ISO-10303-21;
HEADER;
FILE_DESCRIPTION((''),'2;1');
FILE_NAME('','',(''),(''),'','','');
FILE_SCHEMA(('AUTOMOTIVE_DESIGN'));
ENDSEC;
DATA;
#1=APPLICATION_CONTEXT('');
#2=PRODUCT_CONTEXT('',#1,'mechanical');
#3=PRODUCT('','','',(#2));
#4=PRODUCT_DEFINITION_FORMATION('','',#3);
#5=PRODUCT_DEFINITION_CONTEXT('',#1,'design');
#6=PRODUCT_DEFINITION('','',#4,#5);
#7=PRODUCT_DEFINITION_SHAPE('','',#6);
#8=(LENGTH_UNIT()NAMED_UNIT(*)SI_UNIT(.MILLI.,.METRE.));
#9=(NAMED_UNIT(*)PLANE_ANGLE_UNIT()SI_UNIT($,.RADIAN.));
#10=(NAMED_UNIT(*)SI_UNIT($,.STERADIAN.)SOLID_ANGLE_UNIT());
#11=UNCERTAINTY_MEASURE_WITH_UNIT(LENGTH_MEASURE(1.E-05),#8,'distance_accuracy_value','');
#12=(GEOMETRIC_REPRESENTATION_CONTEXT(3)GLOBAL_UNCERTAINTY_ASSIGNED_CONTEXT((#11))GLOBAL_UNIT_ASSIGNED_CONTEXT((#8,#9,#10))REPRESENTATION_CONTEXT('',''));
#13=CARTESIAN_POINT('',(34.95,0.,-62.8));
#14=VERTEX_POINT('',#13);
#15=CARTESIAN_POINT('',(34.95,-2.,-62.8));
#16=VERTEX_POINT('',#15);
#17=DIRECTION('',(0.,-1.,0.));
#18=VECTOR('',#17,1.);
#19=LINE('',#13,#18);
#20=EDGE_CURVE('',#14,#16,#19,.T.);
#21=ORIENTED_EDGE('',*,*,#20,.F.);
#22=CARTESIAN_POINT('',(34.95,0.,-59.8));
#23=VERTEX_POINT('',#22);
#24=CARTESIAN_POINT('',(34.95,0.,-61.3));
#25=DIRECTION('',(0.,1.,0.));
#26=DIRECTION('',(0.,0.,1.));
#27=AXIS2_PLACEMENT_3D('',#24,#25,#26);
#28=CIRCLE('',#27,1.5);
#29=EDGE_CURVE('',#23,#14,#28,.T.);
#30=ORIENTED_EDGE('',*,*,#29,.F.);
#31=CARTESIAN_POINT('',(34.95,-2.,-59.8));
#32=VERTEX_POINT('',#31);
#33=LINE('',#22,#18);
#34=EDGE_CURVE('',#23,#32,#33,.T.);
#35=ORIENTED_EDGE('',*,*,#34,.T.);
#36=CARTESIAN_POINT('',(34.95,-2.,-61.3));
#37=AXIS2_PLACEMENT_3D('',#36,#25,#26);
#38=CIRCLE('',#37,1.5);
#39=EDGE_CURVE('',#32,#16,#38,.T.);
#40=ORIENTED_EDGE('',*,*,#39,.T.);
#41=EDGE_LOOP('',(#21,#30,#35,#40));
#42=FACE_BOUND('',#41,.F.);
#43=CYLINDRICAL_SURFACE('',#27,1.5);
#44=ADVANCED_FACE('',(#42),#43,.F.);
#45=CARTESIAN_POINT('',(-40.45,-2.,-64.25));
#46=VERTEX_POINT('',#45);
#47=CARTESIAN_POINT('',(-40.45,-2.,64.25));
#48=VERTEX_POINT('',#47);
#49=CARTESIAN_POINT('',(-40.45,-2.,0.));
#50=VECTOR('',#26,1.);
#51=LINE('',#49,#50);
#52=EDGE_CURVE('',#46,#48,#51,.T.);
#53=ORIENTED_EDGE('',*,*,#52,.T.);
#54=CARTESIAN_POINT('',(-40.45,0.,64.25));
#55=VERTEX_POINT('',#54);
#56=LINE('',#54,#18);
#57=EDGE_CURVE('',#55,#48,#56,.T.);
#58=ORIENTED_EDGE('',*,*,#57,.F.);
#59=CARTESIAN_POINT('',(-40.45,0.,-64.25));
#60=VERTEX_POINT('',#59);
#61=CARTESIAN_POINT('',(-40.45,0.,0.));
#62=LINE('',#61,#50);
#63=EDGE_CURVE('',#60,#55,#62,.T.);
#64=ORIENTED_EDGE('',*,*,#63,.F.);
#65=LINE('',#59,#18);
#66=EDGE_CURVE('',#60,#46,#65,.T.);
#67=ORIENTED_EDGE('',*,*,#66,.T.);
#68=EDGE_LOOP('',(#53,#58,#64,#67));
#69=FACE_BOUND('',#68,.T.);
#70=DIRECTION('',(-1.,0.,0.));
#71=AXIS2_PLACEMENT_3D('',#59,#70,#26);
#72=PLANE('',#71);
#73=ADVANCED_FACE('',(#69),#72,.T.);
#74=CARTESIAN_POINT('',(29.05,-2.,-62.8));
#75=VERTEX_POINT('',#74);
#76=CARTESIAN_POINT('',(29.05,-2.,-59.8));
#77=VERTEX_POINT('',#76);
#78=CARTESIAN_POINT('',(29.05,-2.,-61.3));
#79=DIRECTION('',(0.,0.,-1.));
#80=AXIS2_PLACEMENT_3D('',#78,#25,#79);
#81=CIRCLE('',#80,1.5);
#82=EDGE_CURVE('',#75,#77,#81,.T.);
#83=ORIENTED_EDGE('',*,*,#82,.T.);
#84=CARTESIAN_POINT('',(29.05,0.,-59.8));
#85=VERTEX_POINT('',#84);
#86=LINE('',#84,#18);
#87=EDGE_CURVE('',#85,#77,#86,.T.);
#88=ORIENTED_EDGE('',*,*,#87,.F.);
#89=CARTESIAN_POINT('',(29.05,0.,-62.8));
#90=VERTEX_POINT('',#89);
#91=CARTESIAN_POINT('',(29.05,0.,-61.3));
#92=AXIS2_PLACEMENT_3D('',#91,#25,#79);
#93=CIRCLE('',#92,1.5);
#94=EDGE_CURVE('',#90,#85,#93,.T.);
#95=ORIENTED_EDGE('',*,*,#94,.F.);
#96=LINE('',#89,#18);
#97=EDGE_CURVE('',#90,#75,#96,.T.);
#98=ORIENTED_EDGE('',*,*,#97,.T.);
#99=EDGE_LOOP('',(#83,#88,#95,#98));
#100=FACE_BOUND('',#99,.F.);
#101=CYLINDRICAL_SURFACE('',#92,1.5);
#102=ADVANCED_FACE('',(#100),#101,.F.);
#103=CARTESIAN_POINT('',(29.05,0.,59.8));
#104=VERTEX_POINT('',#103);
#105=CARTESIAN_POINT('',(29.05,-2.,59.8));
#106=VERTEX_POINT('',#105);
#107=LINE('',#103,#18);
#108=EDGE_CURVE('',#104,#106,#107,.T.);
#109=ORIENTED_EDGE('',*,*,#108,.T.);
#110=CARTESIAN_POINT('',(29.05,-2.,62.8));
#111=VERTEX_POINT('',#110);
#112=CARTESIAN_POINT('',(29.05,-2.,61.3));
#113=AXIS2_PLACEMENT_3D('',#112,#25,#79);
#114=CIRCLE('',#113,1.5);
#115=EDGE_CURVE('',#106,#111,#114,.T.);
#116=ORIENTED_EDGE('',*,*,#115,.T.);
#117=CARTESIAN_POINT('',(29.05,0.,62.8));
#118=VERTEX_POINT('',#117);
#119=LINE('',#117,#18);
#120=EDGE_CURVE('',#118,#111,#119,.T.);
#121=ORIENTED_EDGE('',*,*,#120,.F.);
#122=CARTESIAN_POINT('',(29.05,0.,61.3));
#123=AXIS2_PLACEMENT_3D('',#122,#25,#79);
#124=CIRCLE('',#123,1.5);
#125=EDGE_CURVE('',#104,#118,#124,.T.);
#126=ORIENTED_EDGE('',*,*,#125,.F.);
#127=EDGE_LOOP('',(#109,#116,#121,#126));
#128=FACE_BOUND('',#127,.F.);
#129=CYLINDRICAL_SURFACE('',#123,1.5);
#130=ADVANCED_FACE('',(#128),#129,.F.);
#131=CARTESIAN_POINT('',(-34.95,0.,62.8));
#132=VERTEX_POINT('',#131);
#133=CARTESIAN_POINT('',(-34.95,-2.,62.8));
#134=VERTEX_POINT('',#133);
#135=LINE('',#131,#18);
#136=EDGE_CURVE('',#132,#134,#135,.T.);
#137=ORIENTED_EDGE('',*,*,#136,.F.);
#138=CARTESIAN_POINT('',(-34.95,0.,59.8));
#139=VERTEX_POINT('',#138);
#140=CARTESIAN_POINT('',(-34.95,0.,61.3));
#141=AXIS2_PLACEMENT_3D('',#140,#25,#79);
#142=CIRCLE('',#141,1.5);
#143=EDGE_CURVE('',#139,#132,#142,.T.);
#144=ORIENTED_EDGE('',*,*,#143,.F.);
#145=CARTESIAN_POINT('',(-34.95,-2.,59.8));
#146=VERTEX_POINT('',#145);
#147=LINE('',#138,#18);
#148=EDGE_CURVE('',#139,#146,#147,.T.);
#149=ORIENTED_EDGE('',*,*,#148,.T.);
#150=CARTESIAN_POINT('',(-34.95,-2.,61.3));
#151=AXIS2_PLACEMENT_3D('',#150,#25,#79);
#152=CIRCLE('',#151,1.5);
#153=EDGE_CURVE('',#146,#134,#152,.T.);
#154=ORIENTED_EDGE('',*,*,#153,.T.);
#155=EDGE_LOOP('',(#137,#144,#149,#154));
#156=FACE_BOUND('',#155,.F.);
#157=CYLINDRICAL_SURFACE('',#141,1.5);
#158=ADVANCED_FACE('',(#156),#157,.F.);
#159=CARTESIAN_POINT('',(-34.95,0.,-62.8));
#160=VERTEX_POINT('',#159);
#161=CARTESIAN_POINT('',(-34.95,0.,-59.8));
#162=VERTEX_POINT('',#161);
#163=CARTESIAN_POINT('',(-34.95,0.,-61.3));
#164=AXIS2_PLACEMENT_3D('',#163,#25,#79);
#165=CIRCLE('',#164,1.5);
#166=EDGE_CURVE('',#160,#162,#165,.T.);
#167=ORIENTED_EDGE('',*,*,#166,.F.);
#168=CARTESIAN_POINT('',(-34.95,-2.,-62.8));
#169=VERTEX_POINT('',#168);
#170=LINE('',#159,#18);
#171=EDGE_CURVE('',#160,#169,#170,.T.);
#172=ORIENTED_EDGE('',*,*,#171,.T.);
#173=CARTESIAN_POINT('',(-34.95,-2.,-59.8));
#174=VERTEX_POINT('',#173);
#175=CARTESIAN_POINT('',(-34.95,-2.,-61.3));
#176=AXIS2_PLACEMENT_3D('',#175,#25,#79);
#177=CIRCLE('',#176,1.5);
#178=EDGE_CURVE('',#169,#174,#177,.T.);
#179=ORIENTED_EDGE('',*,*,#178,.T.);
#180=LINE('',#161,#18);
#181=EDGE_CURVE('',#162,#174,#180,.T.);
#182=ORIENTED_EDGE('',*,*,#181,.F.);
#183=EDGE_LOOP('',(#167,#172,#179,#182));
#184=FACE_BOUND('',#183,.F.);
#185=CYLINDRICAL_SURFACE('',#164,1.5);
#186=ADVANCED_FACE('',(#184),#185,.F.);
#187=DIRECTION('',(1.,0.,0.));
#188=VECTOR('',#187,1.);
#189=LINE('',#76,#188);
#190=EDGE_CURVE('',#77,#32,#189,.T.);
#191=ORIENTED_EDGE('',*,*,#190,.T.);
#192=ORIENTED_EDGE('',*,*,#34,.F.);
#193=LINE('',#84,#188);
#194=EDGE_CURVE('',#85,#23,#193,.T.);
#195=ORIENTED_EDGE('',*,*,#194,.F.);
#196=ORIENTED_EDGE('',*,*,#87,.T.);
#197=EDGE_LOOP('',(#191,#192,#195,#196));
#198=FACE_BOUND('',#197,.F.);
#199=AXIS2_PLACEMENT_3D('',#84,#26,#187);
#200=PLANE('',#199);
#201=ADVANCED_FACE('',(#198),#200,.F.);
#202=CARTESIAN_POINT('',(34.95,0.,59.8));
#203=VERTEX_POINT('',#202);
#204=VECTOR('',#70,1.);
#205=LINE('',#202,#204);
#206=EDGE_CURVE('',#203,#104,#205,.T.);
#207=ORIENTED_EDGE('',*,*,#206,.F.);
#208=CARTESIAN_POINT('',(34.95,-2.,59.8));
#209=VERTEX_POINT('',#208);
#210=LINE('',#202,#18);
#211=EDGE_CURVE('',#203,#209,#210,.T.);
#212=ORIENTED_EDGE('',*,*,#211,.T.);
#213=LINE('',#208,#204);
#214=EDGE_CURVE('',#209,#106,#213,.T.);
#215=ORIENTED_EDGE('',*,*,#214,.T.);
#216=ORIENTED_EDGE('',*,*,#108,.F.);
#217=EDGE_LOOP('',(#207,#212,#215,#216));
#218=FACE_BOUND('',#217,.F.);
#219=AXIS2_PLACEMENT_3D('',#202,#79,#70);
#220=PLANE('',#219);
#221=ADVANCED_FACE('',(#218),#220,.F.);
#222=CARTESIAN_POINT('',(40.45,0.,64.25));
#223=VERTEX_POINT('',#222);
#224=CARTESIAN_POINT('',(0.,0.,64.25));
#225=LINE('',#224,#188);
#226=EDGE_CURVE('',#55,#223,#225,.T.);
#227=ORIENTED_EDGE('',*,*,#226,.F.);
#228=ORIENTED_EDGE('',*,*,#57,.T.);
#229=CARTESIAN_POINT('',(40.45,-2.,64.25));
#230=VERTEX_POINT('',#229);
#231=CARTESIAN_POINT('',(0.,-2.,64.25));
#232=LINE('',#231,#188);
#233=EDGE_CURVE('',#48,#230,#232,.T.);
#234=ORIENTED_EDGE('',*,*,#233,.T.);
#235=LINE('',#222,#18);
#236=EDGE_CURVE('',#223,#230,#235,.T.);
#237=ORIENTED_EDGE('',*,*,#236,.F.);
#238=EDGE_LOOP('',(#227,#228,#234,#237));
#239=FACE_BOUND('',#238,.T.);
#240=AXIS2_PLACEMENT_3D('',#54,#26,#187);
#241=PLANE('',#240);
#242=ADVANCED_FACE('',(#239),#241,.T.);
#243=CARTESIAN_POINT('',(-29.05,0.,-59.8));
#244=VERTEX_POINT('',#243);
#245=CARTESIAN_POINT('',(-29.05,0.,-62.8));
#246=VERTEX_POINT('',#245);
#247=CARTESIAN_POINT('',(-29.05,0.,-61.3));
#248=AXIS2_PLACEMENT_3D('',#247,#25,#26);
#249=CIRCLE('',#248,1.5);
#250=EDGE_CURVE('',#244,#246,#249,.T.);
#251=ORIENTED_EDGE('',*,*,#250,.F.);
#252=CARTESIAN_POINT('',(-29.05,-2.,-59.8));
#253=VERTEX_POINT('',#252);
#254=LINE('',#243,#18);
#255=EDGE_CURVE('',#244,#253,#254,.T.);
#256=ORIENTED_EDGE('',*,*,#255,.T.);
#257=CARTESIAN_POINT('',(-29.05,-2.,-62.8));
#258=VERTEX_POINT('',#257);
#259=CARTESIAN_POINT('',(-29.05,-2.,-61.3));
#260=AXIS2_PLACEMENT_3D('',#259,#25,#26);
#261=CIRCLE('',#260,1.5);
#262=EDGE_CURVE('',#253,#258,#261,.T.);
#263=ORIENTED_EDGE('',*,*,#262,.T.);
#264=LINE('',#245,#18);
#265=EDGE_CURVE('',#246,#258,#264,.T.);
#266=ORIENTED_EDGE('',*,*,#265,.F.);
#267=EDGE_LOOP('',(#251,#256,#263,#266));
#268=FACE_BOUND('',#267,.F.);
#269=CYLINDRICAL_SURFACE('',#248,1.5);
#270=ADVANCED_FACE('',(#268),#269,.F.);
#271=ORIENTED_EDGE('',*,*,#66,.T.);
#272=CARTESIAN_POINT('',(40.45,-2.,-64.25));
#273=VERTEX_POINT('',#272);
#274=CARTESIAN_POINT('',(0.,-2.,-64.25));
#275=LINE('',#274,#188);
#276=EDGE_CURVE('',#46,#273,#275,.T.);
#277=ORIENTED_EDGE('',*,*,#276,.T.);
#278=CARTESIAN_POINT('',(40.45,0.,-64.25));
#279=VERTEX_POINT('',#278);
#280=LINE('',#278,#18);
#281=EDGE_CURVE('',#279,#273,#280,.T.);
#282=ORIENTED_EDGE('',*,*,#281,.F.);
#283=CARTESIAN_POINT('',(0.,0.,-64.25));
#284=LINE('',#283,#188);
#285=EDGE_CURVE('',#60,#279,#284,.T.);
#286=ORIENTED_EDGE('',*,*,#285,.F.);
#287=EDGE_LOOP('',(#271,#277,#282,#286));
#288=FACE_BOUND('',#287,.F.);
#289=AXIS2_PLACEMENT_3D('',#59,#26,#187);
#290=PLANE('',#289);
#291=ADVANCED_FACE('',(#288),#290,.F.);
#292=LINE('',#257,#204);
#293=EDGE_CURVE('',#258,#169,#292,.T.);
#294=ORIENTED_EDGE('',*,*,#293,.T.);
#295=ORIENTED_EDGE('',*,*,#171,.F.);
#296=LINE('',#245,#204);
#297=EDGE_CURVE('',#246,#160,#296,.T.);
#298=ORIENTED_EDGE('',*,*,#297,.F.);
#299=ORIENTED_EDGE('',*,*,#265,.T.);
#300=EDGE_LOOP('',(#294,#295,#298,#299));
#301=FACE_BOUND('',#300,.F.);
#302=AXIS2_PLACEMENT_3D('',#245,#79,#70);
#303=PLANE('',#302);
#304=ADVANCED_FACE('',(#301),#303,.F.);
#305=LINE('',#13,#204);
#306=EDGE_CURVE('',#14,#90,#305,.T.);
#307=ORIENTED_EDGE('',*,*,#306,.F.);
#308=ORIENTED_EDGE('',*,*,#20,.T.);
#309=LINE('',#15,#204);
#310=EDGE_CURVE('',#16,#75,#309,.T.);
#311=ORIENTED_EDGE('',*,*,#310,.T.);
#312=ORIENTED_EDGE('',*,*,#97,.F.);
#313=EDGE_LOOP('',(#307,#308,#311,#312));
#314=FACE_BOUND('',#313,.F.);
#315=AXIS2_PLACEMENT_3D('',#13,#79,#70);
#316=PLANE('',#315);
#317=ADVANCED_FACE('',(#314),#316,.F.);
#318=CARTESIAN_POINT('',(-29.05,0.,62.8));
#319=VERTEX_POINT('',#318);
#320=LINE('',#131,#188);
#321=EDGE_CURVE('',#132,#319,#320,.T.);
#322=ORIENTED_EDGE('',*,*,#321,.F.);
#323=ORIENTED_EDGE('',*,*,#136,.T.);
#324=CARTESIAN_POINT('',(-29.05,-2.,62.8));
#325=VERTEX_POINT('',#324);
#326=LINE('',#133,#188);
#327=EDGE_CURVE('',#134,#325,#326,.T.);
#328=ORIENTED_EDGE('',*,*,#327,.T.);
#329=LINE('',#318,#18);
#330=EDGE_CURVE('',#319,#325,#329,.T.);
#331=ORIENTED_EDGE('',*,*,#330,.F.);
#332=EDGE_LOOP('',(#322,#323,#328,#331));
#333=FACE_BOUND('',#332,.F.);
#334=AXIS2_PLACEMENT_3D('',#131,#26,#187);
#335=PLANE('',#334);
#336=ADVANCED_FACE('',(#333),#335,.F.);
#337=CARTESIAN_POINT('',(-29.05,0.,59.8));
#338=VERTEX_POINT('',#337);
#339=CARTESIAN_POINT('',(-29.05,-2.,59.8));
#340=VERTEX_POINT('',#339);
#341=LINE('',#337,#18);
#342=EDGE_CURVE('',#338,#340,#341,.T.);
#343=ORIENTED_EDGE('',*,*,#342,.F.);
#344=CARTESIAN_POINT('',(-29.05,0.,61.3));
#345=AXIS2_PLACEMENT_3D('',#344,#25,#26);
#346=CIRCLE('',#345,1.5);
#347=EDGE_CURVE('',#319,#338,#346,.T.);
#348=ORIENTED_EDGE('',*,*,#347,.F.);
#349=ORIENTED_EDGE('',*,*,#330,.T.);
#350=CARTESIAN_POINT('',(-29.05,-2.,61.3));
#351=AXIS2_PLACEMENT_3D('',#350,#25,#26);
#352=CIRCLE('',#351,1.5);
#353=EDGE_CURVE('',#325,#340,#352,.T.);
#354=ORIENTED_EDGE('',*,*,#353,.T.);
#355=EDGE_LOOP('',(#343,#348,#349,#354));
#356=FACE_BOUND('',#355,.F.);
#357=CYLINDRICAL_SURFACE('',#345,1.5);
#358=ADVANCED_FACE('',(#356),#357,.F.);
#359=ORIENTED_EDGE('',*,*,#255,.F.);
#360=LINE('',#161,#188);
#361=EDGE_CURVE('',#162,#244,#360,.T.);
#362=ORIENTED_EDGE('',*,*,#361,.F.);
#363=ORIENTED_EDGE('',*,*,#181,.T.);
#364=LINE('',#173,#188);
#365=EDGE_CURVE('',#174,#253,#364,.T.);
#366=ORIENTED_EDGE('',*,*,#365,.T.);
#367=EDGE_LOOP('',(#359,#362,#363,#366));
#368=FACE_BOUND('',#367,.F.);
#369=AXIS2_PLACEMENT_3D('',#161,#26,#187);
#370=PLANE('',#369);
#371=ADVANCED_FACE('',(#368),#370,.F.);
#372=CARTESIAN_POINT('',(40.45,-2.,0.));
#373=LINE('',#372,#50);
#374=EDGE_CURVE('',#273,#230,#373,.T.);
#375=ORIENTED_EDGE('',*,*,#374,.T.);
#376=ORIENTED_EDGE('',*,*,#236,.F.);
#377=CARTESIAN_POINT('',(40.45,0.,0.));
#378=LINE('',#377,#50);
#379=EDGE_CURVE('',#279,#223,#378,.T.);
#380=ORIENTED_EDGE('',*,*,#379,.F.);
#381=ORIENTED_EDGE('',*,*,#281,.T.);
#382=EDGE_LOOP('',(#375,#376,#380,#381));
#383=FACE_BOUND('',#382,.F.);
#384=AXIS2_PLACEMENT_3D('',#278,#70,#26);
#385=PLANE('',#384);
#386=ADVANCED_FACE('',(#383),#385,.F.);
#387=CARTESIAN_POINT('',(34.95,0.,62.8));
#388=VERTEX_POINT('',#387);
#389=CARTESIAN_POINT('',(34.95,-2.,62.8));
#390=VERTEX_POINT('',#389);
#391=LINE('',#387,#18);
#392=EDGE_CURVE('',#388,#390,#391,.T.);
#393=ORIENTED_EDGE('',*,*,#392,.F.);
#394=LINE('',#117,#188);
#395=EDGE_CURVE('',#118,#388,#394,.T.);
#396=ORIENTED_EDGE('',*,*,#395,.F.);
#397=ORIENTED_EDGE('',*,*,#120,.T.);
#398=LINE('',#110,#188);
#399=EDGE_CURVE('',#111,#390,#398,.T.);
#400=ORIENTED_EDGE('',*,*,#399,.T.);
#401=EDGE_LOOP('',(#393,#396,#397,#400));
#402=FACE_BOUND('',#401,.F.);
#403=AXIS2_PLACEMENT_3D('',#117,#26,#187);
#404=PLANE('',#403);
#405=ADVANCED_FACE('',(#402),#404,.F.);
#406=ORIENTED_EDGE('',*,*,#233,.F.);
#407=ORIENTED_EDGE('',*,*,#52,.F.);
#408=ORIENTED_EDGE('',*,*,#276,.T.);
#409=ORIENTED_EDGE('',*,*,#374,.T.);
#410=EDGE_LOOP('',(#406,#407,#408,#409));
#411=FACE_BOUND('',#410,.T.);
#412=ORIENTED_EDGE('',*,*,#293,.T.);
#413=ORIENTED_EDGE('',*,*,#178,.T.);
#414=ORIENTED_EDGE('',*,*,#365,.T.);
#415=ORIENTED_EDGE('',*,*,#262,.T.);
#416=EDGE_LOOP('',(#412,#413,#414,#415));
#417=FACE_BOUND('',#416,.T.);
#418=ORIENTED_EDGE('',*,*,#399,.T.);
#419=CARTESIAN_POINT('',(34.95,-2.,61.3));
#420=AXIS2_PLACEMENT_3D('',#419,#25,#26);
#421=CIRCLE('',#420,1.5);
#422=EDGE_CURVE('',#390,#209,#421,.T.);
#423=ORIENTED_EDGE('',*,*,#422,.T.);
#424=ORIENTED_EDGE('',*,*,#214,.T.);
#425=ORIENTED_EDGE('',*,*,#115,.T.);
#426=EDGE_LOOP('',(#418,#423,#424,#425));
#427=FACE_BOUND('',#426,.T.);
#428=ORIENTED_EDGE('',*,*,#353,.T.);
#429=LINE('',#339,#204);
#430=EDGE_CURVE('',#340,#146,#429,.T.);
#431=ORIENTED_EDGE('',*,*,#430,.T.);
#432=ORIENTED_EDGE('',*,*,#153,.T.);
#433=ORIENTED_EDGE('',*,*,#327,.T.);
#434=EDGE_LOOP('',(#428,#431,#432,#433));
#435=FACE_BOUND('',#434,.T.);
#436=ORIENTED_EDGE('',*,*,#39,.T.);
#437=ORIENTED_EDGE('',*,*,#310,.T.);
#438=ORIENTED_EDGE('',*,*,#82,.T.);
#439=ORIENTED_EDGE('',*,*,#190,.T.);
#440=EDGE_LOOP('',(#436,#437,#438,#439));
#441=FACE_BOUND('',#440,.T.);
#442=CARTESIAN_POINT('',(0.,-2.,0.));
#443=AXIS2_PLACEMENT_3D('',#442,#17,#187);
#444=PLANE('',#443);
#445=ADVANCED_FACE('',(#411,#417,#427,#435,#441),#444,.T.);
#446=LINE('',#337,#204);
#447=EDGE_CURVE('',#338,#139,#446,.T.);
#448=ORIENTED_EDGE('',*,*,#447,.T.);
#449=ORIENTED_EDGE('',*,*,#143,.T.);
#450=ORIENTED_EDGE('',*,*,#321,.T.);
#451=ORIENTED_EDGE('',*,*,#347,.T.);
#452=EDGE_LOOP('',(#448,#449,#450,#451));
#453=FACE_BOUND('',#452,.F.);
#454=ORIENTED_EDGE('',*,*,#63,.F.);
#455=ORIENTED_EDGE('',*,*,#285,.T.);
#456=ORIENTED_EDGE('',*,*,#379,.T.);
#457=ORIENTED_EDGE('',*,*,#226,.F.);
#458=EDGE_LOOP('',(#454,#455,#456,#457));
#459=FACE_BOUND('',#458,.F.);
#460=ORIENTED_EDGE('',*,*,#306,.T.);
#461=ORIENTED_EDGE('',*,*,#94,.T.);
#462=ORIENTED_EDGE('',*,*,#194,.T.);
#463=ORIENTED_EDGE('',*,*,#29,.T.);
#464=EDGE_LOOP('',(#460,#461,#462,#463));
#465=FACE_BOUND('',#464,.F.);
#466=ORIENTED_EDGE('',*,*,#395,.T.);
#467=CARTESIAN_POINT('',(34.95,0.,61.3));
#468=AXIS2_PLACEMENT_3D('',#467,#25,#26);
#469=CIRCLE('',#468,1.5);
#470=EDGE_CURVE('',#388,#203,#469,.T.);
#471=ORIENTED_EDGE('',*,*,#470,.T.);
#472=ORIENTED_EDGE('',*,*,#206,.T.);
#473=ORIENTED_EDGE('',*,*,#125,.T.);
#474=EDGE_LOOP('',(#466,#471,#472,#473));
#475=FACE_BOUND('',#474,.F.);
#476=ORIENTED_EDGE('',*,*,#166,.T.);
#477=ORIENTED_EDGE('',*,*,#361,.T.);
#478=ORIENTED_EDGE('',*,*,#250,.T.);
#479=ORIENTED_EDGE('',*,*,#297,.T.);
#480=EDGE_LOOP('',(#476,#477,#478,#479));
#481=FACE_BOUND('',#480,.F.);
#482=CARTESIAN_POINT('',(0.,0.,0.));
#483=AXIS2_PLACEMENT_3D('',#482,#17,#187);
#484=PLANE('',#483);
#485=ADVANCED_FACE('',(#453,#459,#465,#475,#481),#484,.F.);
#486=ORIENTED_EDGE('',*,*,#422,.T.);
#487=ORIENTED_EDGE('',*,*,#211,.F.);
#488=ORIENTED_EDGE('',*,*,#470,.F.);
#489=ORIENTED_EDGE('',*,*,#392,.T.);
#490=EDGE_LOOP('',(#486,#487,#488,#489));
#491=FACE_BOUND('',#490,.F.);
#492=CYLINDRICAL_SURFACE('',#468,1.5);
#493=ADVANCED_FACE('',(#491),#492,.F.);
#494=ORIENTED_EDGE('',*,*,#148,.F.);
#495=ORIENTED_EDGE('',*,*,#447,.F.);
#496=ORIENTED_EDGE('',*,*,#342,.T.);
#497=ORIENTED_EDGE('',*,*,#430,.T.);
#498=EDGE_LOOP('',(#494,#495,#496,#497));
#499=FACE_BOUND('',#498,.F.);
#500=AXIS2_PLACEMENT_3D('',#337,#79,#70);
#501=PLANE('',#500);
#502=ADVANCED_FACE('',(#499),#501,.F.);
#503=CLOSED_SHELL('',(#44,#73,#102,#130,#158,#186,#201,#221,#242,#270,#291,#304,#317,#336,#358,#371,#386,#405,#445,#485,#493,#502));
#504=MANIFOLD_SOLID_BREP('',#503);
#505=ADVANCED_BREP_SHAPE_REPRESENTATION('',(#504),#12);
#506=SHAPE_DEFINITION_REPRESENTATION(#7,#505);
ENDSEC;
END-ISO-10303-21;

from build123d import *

# Parameters (mm, degrees)
F0_W     = 80.9
F0_H     = 128.5
F1_DEPTH = 2


with BuildPart() as f1:
    # F0 (on Front) → F1 (new body)
    with BuildSketch(Plane.XZ):
        Rectangle(F0_W, F0_H)
        with BuildLine():
            ThreePointArc((-34.95, -62.8), (-36.45, -61.3), (-34.95, -59.8))
            Line((-34.95, -59.8), (-29.05, -59.8))
            ThreePointArc((-29.05, -59.8), (-27.55, -61.3), (-29.05, -62.8))
            Line((-29.05, -62.8), (-34.95, -62.8))
        make_face(mode=Mode.SUBTRACT)
        with BuildLine():
            ThreePointArc((29.05, -62.8), (27.55, -61.3), (29.05, -59.8))
            Line((29.05, -59.8), (34.95, -59.8))
            ThreePointArc((34.95, -59.8), (36.45, -61.3), (34.95, -62.8))
            Line((34.95, -62.8), (29.05, -62.8))
        make_face(mode=Mode.SUBTRACT)
        with BuildLine():
            ThreePointArc((-34.95, 59.8), (-36.45, 61.3), (-34.95, 62.8))
            Line((-34.95, 62.8), (-29.05, 62.8))
            ThreePointArc((-29.05, 62.8), (-27.55, 61.3), (-29.05, 59.8))
            Line((-29.05, 59.8), (-34.95, 59.8))
        make_face(mode=Mode.SUBTRACT)
        with BuildLine():
            ThreePointArc((29.05, 59.8), (27.55, 61.3), (29.05, 62.8))
            Line((29.05, 62.8), (34.95, 62.8))
            ThreePointArc((34.95, 62.8), (36.45, 61.3), (34.95, 59.8))
            Line((34.95, 59.8), (29.05, 59.8))
        make_face(mode=Mode.SUBTRACT)
    extrude(amount=F1_DEPTH)


solid = f1.part
